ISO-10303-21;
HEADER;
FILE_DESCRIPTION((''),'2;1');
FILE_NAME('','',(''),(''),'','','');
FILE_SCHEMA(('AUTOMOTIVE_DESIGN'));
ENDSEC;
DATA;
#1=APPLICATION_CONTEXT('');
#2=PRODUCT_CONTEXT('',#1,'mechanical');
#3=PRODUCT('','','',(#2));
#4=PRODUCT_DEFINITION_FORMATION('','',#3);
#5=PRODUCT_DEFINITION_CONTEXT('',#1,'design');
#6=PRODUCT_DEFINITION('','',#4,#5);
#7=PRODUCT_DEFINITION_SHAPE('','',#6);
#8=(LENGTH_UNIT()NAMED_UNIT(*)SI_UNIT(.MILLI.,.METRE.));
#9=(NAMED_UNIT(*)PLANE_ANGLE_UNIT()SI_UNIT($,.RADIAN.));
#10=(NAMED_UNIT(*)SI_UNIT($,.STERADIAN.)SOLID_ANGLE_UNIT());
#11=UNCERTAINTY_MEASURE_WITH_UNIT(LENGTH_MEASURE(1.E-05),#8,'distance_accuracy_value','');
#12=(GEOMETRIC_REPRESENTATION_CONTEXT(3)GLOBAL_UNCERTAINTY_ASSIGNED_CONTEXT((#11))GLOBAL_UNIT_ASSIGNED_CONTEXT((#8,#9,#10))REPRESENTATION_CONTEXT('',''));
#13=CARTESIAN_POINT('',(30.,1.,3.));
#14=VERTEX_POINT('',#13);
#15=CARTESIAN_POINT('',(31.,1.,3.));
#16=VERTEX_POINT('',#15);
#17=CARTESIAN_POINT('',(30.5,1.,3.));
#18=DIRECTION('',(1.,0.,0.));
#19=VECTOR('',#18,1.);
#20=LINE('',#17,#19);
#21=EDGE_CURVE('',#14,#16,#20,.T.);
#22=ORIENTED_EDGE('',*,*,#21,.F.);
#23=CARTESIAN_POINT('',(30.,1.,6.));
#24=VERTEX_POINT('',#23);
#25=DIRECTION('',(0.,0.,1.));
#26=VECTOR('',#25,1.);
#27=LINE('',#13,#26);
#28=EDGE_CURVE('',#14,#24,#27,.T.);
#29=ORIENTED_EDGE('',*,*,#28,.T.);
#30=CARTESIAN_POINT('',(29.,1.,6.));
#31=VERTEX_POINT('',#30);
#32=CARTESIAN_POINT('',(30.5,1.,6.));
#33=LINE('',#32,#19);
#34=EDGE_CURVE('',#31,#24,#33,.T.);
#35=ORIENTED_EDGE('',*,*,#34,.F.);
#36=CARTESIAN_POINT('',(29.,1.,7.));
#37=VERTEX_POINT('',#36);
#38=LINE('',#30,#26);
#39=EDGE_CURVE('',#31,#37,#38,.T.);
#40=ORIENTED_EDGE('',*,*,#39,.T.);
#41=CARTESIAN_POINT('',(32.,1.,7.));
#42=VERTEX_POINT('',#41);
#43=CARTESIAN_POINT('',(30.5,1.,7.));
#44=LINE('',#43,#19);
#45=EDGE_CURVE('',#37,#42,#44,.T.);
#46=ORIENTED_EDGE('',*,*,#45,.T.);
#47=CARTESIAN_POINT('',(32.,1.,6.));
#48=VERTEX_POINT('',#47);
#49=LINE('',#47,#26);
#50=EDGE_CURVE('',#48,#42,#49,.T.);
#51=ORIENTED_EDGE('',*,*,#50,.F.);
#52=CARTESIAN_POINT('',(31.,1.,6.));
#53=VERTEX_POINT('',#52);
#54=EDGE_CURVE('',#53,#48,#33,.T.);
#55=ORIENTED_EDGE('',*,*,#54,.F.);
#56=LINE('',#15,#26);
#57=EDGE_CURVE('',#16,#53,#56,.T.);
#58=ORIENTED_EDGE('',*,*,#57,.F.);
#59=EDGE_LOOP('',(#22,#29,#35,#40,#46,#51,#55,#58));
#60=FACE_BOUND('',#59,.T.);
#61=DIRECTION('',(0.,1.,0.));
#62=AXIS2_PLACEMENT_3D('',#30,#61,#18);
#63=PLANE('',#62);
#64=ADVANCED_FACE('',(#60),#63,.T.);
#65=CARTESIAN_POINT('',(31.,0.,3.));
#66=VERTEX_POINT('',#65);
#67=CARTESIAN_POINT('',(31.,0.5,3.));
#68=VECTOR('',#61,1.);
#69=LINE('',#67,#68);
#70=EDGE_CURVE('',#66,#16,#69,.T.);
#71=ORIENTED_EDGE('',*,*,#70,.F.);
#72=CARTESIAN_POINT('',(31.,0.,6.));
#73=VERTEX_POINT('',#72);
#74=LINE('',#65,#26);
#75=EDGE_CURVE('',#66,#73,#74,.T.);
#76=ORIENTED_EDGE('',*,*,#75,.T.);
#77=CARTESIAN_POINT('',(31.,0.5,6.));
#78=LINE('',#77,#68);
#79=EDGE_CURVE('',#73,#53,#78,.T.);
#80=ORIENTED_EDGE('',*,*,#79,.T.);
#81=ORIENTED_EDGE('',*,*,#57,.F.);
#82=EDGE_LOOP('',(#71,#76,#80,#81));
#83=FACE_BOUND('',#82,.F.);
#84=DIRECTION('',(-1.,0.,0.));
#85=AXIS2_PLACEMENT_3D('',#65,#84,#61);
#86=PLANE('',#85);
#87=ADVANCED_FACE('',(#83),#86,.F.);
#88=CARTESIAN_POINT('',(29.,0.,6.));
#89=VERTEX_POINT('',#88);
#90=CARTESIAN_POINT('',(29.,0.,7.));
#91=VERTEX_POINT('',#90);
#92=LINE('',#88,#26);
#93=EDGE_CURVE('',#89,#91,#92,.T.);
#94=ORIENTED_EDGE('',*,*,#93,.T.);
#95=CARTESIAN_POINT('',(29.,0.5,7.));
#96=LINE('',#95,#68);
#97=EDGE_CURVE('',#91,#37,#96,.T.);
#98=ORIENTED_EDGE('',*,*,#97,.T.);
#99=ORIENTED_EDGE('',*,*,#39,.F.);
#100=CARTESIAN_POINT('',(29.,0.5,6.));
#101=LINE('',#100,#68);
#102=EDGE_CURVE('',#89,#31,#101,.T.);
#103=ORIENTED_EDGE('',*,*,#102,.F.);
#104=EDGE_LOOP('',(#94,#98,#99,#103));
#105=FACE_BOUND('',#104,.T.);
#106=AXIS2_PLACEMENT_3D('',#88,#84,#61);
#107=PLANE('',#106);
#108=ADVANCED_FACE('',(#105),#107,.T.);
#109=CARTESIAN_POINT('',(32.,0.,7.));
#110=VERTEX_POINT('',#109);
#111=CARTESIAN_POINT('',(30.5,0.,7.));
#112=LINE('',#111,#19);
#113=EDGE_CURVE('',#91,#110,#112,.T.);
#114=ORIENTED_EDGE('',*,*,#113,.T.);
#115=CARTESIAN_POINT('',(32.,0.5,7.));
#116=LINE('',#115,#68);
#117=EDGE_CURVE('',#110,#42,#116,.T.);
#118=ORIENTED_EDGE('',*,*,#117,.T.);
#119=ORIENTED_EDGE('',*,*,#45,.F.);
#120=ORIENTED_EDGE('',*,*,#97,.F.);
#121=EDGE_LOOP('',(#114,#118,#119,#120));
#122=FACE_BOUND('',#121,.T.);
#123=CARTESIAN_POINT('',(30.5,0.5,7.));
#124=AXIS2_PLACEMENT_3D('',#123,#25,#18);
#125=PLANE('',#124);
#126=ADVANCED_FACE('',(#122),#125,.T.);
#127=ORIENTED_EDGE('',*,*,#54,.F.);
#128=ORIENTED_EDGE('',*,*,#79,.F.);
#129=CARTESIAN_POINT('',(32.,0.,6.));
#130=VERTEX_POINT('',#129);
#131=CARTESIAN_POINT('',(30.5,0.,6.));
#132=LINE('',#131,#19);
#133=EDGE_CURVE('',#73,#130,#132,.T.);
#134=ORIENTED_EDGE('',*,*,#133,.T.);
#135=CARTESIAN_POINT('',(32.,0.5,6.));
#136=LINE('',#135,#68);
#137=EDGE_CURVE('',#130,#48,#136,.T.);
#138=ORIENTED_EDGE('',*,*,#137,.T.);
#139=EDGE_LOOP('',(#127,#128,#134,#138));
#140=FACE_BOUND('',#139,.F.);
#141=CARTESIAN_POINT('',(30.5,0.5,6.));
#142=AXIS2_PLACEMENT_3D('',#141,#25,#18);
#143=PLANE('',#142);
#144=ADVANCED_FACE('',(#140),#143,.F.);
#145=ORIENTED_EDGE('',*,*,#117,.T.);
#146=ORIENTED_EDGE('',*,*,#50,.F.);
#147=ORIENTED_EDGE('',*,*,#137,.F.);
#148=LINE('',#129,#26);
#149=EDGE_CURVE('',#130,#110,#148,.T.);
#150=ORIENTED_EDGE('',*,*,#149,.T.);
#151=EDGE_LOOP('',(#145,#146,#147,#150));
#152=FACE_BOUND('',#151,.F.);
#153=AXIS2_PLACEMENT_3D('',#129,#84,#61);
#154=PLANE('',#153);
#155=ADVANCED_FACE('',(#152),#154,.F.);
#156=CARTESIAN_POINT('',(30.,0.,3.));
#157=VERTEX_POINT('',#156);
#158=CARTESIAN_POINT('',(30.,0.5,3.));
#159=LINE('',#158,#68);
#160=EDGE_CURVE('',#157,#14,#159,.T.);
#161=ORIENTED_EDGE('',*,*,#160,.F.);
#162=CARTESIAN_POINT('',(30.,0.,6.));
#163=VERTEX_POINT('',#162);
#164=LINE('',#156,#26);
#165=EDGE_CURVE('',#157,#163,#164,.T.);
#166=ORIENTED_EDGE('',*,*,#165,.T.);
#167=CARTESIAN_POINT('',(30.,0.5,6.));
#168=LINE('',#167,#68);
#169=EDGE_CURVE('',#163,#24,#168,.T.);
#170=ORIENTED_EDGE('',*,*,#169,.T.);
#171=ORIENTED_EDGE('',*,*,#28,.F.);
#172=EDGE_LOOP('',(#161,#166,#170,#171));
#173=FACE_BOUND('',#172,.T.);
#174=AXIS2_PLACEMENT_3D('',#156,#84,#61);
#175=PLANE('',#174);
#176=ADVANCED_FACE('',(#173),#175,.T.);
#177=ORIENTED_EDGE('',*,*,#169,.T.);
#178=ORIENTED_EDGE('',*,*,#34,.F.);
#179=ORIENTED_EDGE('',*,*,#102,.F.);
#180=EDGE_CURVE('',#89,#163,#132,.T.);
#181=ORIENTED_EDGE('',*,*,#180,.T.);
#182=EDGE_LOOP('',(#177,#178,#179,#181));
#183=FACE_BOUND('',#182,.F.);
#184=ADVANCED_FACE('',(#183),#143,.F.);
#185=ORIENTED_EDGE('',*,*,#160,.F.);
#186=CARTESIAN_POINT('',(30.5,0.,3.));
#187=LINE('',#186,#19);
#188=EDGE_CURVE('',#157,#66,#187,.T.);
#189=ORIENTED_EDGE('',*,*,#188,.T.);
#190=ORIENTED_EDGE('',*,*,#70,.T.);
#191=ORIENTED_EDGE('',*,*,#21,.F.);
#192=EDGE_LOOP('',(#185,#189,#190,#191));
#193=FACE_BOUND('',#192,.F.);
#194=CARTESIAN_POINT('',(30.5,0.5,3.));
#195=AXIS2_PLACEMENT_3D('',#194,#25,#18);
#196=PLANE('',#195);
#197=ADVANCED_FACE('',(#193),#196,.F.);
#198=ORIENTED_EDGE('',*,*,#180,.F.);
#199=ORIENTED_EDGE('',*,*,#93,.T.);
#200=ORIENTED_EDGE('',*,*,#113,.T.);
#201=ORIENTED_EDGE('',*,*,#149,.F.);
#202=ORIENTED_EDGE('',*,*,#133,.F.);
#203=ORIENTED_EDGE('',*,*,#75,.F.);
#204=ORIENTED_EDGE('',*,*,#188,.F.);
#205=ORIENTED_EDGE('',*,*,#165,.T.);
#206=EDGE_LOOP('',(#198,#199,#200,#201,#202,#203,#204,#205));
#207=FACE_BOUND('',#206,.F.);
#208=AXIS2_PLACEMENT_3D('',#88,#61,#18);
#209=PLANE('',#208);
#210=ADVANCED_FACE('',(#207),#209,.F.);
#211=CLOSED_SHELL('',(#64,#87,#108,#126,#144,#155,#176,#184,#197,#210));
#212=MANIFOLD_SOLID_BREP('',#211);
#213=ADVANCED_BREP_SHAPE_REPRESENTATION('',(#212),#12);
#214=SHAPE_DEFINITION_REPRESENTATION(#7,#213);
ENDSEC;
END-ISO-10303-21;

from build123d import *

# Parameters (mm, degrees)
BOX073_W     = 1
BOX073_H     = 1
BOX073_DEPTH = 3
BOX068_W     = 3
BOX068_H     = 1
BOX068_DEPTH = 1


with BuildPart() as box073:
    # Box073 → Box073 (new body)
    with BuildSketch(Plane(origin=(30, 0, 3), x_dir=(1, 0, 0), z_dir=(0, 0, 1))):
        with Locations((0.5, 0.5)):
            Rectangle(BOX073_W, BOX073_H)
    extrude(amount=BOX073_DEPTH)


with BuildPart() as fusion034:
    # Box068 → Box068 (new body)
    with BuildSketch(Plane(origin=(29, 0, 6), x_dir=(1, 0, 0), z_dir=(0, 0, 1))):
        with Locations((1.5, 0.5)):
            Rectangle(BOX068_W, BOX068_H)
    extrude(amount=BOX068_DEPTH)

    # Fusion034: union Box073
    add(box073.part)


solid = fusion034.part
